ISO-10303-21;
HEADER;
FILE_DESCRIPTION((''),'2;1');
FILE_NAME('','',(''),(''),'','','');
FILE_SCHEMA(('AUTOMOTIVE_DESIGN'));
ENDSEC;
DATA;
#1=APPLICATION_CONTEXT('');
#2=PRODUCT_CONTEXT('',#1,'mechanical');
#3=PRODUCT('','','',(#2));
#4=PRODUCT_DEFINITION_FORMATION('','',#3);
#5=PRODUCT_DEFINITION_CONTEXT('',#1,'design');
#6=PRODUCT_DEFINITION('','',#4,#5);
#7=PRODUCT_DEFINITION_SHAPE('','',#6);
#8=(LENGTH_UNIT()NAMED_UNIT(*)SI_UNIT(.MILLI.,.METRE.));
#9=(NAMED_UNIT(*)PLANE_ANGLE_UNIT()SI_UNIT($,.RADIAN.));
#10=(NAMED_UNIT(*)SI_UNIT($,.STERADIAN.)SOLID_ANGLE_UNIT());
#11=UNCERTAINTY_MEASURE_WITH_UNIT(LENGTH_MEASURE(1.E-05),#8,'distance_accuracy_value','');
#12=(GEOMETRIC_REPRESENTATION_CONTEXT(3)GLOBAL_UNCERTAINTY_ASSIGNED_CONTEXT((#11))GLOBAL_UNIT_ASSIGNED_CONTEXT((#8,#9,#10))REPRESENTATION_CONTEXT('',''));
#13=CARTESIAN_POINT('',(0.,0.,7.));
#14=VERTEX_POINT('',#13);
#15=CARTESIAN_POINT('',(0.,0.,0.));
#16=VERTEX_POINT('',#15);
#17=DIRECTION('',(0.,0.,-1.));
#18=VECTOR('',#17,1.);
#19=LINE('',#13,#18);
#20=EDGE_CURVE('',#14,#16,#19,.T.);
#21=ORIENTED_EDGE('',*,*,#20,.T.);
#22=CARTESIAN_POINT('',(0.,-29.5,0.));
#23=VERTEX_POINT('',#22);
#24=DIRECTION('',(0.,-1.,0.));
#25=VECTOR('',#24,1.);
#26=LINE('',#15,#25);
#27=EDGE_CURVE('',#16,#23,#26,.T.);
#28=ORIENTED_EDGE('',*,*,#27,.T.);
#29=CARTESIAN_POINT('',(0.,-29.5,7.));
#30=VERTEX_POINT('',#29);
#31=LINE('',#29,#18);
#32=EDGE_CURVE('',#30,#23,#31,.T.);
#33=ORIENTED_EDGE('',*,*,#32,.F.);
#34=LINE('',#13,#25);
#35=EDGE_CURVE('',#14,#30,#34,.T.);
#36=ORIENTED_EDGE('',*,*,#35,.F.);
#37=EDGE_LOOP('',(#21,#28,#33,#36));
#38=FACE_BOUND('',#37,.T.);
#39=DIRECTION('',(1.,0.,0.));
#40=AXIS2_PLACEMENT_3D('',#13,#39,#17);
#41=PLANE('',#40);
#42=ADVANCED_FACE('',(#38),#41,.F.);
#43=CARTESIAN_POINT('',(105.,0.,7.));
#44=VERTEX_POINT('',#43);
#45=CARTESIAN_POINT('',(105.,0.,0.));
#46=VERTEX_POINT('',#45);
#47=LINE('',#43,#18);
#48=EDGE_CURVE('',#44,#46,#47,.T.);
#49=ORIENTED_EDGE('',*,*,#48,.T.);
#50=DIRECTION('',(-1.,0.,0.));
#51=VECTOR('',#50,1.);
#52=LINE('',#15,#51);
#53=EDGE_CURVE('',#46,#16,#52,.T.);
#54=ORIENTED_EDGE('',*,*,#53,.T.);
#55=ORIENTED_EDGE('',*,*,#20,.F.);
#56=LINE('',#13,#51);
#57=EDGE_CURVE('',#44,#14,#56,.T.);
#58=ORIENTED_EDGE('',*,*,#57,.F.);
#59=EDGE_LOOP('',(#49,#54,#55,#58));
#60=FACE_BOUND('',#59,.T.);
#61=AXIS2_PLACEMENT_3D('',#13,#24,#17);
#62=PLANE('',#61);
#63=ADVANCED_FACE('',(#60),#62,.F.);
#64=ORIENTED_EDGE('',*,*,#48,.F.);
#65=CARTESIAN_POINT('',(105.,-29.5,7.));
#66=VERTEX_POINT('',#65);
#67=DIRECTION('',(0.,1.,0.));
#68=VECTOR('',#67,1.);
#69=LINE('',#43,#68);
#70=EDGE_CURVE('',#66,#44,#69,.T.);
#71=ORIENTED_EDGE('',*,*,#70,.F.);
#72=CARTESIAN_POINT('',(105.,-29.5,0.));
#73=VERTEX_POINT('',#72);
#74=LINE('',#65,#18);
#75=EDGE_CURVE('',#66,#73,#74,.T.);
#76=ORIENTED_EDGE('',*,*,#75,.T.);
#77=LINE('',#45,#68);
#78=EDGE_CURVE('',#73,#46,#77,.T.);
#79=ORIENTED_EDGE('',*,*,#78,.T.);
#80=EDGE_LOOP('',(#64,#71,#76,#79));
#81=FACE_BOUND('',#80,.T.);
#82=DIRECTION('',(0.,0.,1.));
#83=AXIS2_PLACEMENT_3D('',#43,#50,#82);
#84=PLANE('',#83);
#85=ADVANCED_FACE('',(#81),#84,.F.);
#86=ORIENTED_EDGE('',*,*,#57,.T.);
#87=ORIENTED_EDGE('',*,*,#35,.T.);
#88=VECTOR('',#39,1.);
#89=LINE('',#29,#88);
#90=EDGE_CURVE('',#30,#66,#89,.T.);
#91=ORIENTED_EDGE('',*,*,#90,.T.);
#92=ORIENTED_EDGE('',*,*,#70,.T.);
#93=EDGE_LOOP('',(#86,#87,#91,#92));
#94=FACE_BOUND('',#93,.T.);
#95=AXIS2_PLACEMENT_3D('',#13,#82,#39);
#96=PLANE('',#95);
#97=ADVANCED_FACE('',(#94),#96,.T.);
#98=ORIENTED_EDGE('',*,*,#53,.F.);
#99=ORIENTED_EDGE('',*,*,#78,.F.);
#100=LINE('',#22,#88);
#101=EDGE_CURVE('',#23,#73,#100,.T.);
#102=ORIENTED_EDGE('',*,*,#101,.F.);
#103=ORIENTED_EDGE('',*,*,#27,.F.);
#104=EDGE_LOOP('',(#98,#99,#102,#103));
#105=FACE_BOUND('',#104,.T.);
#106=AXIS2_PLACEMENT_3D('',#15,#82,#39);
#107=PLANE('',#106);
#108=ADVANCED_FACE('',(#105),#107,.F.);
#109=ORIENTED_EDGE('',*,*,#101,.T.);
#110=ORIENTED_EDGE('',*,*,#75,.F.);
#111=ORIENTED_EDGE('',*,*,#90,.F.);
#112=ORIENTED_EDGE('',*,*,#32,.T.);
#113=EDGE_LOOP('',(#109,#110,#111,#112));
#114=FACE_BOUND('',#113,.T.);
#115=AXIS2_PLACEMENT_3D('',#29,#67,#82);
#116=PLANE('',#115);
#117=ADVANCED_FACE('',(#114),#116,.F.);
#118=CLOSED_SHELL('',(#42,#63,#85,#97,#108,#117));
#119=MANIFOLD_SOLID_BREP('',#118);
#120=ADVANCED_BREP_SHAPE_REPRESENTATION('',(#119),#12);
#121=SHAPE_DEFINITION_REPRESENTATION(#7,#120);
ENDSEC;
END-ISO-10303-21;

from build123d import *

# Parameters (mm, degrees)
SKETCH_1_W      = 105
SKETCH_1_H      = 29.5
EXTRUDE_1_DEPTH = 7


with BuildPart() as part:
    # 草图1 → 凸台-拉伸1 (new body)
    with BuildSketch(Plane.XY):
        with Locations((52.5, -14.75)):
            Rectangle(SKETCH_1_W, SKETCH_1_H)
    extrude(amount=EXTRUDE_1_DEPTH)


solid = part.part
